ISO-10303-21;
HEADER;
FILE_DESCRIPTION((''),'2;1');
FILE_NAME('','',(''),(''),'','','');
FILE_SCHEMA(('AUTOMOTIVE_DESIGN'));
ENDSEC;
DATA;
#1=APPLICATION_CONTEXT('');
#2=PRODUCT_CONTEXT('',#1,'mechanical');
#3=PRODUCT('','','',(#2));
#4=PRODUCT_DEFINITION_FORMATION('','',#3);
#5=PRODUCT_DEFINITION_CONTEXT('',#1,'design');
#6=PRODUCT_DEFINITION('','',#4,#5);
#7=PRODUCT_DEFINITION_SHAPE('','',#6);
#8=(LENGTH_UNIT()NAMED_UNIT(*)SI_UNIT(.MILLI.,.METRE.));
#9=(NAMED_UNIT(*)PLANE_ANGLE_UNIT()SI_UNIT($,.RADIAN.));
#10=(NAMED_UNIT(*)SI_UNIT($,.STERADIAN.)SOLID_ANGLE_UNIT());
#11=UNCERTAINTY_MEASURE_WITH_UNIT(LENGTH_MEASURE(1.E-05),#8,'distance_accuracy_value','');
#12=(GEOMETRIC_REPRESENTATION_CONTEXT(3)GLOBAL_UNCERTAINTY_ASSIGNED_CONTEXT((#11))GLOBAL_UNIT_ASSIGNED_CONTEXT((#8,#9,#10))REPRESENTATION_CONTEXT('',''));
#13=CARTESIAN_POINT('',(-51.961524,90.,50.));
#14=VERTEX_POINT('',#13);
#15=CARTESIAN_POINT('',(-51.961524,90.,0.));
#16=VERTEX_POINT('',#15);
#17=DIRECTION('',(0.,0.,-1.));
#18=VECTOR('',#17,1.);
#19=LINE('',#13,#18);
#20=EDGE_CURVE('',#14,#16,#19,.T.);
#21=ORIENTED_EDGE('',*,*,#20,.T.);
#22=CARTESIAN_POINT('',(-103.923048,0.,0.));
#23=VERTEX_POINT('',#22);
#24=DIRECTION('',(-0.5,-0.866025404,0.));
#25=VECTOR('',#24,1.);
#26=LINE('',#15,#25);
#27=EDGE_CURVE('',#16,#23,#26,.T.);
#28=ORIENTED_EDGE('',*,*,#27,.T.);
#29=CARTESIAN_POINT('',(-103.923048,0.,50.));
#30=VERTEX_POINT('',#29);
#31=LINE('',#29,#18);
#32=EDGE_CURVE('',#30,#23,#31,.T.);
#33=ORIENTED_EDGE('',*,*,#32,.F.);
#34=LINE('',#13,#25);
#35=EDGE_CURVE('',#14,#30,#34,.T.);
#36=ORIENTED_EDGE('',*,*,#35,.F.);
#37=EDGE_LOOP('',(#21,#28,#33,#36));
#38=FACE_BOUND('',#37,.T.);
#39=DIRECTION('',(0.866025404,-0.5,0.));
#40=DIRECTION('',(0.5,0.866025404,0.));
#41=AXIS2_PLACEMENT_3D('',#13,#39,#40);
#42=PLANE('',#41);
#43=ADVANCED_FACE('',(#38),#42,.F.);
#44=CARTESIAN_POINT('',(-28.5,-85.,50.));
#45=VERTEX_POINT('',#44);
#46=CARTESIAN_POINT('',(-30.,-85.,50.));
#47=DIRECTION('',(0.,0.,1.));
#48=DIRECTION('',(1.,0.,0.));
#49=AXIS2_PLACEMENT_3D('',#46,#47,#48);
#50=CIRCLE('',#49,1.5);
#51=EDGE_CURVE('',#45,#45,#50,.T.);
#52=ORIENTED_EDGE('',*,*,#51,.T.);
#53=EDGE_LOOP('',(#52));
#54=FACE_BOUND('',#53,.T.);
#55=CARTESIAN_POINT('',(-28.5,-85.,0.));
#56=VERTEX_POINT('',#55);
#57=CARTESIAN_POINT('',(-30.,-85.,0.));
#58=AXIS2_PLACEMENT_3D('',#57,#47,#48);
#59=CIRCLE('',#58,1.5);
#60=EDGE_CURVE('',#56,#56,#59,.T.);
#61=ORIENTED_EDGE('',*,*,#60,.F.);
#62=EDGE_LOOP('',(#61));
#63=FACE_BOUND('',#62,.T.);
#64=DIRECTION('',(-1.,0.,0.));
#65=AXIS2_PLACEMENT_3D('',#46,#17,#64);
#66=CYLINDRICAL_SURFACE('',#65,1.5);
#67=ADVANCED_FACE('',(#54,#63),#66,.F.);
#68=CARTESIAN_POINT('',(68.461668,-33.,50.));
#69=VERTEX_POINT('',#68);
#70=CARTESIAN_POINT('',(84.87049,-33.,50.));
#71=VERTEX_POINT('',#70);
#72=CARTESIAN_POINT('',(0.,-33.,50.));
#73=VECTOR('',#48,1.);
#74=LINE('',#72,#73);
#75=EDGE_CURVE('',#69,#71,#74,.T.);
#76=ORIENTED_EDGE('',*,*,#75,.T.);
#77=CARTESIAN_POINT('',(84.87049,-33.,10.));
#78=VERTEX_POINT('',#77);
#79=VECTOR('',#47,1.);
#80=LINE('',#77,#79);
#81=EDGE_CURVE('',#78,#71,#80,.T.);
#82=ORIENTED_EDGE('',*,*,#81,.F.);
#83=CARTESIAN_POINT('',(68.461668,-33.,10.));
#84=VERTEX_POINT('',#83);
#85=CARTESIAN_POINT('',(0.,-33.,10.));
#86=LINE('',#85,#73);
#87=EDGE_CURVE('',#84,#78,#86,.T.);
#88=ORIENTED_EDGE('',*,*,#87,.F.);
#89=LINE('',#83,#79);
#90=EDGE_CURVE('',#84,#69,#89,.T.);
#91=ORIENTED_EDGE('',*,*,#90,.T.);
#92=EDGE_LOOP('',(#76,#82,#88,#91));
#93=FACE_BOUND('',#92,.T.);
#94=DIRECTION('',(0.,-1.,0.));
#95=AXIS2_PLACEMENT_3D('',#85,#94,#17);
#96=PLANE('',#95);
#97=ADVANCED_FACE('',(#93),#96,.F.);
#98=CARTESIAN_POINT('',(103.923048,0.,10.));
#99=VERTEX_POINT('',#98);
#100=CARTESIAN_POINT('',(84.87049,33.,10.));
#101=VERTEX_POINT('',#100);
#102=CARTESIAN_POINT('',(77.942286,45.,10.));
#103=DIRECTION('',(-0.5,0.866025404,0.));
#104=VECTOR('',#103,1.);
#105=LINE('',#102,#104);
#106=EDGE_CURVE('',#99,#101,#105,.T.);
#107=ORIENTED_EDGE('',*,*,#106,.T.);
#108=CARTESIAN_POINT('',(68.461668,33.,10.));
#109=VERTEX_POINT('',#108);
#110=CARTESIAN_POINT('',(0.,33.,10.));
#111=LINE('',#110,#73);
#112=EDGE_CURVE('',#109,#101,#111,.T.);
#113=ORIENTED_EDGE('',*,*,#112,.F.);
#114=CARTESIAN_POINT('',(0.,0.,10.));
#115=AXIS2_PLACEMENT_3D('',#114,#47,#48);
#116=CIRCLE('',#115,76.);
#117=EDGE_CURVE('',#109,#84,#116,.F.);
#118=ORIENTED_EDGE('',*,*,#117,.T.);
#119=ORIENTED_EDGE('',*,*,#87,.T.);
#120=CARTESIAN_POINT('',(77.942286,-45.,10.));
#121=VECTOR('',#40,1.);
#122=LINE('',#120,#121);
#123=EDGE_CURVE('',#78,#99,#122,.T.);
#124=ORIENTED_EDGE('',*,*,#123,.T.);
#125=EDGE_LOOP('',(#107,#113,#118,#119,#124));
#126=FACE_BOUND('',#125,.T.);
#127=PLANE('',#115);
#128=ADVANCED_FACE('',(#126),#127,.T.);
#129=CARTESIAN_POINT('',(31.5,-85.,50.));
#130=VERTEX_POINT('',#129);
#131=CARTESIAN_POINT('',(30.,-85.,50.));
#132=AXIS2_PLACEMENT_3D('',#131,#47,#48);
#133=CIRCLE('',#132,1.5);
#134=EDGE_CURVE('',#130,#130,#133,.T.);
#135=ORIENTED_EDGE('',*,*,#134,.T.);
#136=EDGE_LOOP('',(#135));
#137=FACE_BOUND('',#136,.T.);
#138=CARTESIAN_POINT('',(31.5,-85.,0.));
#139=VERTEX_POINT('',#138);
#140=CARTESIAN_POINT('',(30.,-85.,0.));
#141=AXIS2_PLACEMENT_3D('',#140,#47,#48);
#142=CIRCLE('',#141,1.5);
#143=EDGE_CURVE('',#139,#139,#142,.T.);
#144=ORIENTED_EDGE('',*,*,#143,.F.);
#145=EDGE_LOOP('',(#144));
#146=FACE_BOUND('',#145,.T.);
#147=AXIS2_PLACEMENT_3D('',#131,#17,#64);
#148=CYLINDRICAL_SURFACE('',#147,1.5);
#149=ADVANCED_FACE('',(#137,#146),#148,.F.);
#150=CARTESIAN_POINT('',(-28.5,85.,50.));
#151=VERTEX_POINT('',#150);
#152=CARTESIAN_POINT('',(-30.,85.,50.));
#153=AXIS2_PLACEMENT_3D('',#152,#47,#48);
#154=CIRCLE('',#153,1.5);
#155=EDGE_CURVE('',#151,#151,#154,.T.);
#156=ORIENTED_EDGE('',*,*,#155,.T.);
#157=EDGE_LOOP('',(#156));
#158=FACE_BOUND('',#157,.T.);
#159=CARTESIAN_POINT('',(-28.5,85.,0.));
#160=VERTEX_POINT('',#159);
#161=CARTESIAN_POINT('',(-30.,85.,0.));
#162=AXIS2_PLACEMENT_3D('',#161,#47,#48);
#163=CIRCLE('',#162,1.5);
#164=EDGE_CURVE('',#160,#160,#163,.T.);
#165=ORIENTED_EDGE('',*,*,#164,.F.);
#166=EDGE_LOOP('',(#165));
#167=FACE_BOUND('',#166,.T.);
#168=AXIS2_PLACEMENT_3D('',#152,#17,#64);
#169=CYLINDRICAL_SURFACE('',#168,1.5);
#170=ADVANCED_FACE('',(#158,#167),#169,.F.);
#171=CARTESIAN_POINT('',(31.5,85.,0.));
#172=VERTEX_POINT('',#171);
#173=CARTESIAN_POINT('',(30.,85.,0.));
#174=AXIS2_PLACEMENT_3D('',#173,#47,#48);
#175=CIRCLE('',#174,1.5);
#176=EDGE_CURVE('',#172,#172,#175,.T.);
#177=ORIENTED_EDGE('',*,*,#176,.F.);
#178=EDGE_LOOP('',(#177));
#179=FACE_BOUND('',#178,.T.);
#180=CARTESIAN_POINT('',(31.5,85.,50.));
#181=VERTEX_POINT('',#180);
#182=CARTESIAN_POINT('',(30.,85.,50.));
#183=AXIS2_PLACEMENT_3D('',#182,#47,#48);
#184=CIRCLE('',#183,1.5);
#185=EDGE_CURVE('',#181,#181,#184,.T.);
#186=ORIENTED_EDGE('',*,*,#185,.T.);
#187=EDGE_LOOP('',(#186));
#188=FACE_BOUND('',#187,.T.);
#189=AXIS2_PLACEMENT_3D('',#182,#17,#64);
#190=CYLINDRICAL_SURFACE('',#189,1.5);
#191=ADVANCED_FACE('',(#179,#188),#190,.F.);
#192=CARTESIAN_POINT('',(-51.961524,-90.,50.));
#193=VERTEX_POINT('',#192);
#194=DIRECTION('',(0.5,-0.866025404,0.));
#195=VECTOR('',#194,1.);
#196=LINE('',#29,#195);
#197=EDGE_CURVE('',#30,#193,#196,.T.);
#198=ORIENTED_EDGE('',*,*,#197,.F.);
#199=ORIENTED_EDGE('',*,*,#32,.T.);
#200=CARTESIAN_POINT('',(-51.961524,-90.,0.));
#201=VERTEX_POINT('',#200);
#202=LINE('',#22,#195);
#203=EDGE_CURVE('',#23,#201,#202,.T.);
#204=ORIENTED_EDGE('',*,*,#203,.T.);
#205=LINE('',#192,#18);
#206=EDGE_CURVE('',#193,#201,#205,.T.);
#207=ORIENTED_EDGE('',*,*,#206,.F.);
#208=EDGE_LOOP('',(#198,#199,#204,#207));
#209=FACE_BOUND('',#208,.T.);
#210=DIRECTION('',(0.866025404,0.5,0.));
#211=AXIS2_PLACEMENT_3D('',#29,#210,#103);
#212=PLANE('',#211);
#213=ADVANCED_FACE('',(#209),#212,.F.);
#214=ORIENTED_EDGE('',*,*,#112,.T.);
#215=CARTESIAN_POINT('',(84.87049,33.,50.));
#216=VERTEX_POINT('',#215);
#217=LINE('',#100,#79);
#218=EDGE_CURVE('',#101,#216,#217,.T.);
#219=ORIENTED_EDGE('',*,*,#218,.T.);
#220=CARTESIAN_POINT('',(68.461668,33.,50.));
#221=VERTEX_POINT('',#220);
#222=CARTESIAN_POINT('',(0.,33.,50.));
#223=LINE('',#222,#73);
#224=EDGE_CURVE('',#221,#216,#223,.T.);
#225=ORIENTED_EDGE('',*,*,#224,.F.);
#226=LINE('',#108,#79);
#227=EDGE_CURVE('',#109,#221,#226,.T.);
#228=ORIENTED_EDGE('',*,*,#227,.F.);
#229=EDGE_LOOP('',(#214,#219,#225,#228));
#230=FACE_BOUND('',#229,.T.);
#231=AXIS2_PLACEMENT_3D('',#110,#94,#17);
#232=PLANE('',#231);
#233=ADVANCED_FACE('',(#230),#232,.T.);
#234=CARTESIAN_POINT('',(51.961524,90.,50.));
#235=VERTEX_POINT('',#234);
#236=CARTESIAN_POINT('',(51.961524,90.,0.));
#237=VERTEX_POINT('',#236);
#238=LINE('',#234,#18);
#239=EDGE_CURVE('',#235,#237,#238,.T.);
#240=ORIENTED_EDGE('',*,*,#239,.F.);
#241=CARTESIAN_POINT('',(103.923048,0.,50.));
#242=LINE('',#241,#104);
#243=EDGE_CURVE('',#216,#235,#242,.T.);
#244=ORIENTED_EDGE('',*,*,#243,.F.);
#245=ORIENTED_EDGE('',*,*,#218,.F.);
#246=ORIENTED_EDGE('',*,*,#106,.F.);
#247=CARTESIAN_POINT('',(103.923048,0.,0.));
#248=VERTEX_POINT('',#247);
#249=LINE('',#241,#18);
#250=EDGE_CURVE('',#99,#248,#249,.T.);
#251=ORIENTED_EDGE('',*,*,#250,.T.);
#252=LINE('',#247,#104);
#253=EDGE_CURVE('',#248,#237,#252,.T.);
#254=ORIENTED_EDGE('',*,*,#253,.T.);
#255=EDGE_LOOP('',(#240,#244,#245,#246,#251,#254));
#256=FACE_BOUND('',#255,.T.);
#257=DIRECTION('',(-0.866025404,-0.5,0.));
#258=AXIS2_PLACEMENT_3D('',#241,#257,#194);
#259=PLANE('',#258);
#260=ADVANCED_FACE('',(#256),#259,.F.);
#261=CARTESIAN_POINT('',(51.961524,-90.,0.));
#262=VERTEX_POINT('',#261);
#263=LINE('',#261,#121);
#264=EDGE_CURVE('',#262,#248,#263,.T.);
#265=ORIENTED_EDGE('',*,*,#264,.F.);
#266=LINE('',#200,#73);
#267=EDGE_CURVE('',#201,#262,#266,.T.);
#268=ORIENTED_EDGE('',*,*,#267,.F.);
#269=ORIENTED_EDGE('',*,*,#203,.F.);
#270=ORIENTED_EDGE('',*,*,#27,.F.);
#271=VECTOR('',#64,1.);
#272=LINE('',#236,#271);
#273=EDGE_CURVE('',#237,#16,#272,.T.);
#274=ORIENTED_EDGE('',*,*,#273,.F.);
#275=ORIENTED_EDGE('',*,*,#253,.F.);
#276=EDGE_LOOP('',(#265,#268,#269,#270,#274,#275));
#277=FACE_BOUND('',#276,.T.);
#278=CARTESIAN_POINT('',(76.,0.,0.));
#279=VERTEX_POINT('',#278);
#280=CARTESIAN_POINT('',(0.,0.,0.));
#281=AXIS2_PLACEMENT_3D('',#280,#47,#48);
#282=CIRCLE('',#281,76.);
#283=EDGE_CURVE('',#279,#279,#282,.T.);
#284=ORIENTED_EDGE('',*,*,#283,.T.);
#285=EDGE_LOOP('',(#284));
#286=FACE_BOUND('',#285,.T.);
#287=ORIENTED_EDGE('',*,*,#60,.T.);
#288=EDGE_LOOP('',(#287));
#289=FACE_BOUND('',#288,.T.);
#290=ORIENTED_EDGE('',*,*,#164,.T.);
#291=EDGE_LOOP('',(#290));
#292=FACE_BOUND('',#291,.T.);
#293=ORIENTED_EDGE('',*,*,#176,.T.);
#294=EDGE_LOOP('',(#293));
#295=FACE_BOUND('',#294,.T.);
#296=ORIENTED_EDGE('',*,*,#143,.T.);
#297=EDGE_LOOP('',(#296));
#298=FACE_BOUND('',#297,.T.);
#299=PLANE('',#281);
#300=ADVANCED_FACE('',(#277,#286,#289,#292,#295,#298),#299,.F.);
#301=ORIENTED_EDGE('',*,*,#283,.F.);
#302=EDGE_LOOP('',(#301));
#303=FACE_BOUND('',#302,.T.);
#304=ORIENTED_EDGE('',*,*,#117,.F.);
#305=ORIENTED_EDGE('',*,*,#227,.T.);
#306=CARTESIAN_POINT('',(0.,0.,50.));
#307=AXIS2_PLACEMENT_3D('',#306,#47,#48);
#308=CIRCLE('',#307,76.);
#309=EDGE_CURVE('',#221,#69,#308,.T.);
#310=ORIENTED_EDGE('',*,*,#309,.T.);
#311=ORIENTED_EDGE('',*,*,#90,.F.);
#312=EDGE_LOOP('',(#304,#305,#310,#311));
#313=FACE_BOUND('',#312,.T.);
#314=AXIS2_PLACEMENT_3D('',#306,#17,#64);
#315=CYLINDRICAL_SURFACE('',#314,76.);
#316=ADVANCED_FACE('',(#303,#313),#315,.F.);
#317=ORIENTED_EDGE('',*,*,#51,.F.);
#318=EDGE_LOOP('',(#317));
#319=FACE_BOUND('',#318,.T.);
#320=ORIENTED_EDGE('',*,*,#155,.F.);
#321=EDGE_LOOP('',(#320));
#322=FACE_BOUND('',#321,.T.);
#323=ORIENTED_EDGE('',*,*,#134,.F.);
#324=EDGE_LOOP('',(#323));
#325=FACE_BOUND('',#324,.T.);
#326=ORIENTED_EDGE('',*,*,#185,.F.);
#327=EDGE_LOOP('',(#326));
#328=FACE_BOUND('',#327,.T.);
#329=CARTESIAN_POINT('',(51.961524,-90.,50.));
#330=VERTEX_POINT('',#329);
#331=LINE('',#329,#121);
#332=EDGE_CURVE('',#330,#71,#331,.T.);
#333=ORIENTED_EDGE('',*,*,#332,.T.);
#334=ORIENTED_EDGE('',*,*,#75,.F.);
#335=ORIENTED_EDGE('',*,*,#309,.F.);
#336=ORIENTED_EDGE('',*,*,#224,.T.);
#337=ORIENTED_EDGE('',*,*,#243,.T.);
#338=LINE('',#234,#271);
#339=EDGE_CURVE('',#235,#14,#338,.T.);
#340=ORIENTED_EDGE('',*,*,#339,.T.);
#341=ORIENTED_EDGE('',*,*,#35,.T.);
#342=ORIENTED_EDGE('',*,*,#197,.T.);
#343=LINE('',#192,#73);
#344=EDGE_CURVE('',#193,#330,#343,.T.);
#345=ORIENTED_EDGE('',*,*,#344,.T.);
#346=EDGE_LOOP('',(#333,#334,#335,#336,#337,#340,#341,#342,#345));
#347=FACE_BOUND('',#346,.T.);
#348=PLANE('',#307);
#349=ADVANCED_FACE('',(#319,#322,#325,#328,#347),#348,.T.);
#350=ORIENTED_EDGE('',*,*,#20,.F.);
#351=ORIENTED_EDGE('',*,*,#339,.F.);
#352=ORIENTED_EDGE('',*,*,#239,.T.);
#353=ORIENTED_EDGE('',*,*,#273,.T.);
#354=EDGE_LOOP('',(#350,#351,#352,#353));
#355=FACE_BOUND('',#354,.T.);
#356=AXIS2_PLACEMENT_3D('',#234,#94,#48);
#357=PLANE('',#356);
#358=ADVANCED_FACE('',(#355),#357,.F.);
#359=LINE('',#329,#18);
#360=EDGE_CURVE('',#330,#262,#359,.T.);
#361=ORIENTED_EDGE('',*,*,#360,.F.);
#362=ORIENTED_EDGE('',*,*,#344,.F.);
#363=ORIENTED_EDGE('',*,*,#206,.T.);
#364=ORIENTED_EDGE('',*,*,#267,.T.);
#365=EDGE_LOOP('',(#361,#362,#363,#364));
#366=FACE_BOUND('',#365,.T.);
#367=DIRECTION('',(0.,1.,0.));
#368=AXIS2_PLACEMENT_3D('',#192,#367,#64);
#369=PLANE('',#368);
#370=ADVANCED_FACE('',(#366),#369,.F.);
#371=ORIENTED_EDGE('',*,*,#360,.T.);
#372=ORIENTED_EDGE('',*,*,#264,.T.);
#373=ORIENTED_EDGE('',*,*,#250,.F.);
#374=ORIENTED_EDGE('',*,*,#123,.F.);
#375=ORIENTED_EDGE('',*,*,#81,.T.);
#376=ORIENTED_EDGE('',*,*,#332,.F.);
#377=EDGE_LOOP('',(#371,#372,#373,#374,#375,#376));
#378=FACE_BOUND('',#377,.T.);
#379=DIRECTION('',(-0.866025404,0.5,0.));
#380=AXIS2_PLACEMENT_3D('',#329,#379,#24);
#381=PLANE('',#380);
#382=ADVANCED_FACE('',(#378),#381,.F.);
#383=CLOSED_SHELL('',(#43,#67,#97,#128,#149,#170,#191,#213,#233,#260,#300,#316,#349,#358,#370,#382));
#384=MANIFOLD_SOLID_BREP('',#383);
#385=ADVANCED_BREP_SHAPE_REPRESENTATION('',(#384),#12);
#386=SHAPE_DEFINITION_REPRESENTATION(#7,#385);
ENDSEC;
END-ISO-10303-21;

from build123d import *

# Parameters (mm, degrees)
SKETCH1_R           = 76
SKETCH1_R_2         = 1.5
BOSS_EXTRUDE1_DEPTH = 50
CUT_EXTRUDE1_START  = -40
CUT_EXTRUDE1_DEPTH  = 40


with BuildPart() as part:
    # Sketch1 → Boss-Extrude1 (new body)
    with BuildSketch(Plane.XY):
        Polygon((103.923048454, 0), (51.961524227, 90), (-51.961524227, 90), (-103.923048454, 0), (-51.961524227, -90), (51.961524227, -90), align=None)
        Circle(SKETCH1_R, mode=Mode.SUBTRACT)
        with Locations((30, -85)):
            Circle(SKETCH1_R_2, mode=Mode.SUBTRACT)
        with Locations((-30, -85)):
            Circle(SKETCH1_R_2, mode=Mode.SUBTRACT)
        with Locations((30, 85)):
            Circle(SKETCH1_R_2, mode=Mode.SUBTRACT)
        with Locations((-30, 85)):
            Circle(SKETCH1_R_2, mode=Mode.SUBTRACT)
    extrude(amount=BOSS_EXTRUDE1_DEPTH)

    # Sketch4 → Cut-Extrude1 (cut)
    with BuildSketch(Plane.XY.offset(50).offset(CUT_EXTRUDE1_START)):
        with BuildLine():
            ThreePointArc((68.461668107, 33), (74.091452868, 16.925029156), (76, 0))
            Line((76, 0), (103.923048454, 0))
            Line((103.923048454, 0), (84.870489571, 33))
            Line((84.870489571, 33), (68.461668107, 33))
        make_face()
        with BuildLine():
            Line((103.923048454, 0), (76, 0))
            ThreePointArc((76, 0), (74.091452868, -16.925029156), (68.461668107, -33))
            Line((68.461668107, -33), (84.870489571, -33))
            Line((84.870489571, -33), (103.923048454, 0))
        make_face()
    extrude(amount=CUT_EXTRUDE1_DEPTH, mode=Mode.SUBTRACT)


solid = part.part
